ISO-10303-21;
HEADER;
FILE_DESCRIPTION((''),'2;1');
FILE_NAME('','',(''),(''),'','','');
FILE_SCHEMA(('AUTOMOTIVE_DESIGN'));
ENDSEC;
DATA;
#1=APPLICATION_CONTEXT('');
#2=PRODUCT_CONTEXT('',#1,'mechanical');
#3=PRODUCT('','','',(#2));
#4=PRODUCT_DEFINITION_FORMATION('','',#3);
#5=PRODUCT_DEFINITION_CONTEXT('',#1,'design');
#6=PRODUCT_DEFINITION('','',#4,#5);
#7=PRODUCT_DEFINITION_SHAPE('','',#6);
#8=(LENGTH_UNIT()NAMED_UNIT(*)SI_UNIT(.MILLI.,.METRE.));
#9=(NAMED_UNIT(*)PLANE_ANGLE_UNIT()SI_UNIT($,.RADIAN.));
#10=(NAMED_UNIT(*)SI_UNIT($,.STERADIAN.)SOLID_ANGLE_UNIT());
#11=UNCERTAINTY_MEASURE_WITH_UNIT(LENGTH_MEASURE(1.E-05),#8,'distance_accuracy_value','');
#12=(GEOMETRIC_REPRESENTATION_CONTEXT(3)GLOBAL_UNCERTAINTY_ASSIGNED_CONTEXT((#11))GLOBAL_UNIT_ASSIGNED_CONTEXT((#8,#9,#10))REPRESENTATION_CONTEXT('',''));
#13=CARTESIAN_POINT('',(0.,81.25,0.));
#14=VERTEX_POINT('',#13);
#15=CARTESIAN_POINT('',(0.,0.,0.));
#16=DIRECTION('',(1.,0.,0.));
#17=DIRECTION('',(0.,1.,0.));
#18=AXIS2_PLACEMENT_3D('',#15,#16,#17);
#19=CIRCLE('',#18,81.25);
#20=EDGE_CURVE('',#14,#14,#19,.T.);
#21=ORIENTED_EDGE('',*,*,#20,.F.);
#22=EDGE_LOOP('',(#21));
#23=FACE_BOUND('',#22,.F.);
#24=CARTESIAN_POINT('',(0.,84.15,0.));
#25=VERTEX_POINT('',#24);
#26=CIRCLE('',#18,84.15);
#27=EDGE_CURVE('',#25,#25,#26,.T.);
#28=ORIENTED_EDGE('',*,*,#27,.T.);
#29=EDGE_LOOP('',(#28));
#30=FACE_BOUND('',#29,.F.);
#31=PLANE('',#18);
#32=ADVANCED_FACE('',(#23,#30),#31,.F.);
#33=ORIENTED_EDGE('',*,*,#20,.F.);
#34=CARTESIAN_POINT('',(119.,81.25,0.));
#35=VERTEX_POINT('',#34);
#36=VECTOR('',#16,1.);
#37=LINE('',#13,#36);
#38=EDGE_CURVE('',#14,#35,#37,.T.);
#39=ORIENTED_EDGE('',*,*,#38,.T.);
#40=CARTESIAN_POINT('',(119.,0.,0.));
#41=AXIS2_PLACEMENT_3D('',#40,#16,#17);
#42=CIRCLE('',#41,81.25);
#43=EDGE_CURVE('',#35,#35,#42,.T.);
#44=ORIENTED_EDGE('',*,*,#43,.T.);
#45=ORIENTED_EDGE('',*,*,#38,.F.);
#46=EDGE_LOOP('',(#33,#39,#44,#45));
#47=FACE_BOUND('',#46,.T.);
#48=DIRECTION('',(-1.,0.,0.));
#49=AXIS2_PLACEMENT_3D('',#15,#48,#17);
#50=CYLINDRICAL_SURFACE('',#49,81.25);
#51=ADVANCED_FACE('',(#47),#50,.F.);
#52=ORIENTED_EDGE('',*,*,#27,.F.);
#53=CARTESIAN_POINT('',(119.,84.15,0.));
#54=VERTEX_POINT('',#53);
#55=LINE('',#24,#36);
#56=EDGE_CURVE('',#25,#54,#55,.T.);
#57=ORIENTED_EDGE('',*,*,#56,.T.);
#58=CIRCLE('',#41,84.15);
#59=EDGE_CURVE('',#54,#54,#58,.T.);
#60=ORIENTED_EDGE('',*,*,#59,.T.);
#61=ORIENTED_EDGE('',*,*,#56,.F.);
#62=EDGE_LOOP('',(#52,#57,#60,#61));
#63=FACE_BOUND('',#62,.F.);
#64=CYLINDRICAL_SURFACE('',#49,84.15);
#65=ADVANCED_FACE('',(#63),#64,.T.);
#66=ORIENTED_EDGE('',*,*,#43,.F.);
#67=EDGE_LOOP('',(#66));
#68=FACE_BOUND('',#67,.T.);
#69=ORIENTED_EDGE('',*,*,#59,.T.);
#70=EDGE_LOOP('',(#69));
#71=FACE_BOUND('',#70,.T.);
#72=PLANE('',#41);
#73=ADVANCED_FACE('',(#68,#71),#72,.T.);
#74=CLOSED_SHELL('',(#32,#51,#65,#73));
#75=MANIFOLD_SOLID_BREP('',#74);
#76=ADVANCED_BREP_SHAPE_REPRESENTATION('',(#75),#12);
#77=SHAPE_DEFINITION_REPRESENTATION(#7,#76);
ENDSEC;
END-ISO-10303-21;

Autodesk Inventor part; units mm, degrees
ref_plane "YZ Plane" through (0, 0, 0) normal (1, 0, 0) x (0, 1, 0)
ref_plane "XZ Plane" through (0, 0, 0) normal (0, 1, 0) x (-1, 0, 0)
ref_plane "XY Plane" through (0, 0, 0) normal (0, 0, 1) x (1, 0, 0)
sketch "Sketch1" plane through (0, 0, 0) normal (1, 0, 0) x (0, 1, 0)
  circle A0 centre (0, 0) radius 84.15
  circle A1 centre (0, 0) radius 81.25
  dimension "d0" = 168.3
  dimension "d1" = 2.9
extrude "Extrusion1" add sketch "Sketch1" along normal blind 119
equation "\"d0\" = OD"
equation "\"d1\" = t"
equation "\"d2\" = L"
equation "\"OD\" = 168.3"
equation "\"t\" = 2.9"
equation "\"L\" = PL"
equation "\"ID\" = 162.5"
equation "\"PL\" = 119"
equation "\"Size_Designation\" = 1.2345"
properties material "Steel"
